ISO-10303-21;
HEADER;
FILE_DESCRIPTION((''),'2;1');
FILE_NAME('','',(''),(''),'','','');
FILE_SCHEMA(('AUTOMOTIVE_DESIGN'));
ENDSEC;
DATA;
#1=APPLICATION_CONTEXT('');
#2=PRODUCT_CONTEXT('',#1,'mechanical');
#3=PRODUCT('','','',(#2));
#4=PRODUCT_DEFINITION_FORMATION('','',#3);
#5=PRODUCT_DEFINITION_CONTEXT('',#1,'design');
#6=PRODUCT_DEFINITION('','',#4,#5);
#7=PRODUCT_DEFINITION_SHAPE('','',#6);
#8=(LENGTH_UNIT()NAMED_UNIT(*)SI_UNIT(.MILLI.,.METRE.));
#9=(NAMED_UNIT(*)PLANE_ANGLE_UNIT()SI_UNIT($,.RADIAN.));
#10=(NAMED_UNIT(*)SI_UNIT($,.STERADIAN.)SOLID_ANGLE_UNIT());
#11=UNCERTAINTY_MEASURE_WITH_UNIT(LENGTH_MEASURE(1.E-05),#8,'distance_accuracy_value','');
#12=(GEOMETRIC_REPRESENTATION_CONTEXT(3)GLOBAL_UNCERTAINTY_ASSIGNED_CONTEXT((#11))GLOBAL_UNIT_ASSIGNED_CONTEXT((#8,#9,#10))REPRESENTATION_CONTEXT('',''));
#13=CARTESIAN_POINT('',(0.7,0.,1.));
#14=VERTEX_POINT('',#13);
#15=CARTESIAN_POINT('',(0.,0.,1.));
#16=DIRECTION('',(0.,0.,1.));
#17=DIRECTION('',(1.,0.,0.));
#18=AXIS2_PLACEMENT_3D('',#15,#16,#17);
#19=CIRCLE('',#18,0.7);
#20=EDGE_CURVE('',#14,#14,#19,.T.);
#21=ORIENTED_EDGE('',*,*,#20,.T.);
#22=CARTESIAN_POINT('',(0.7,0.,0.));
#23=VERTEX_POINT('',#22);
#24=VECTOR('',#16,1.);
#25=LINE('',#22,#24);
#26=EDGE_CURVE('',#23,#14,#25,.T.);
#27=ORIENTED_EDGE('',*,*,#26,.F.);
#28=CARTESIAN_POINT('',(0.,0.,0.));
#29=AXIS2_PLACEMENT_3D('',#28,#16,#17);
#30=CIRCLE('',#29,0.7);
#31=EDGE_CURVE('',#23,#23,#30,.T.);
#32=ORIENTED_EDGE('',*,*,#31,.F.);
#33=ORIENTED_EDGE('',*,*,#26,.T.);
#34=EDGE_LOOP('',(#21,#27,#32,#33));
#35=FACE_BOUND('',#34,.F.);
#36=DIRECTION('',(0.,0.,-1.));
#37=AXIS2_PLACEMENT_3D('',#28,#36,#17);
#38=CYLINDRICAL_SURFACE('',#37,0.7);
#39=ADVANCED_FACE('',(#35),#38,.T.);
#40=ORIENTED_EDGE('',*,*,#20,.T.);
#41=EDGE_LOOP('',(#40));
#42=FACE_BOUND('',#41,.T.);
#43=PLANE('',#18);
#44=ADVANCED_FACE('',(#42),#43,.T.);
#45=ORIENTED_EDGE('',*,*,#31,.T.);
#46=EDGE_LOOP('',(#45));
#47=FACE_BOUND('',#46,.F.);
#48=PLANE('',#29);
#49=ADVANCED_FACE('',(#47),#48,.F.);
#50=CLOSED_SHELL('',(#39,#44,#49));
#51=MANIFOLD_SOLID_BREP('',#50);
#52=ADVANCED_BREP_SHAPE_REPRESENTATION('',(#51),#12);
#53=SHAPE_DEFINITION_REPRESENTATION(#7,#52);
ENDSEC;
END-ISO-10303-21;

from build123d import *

# Parameters (mm, degrees)
SKETCH_R  = 0.7
PAD_DEPTH = 1


with BuildPart() as part:
    # Sketch → Pad (new body)
    with BuildSketch(Plane.XY):
        Circle(SKETCH_R)
    extrude(amount=PAD_DEPTH)


solid = part.part
